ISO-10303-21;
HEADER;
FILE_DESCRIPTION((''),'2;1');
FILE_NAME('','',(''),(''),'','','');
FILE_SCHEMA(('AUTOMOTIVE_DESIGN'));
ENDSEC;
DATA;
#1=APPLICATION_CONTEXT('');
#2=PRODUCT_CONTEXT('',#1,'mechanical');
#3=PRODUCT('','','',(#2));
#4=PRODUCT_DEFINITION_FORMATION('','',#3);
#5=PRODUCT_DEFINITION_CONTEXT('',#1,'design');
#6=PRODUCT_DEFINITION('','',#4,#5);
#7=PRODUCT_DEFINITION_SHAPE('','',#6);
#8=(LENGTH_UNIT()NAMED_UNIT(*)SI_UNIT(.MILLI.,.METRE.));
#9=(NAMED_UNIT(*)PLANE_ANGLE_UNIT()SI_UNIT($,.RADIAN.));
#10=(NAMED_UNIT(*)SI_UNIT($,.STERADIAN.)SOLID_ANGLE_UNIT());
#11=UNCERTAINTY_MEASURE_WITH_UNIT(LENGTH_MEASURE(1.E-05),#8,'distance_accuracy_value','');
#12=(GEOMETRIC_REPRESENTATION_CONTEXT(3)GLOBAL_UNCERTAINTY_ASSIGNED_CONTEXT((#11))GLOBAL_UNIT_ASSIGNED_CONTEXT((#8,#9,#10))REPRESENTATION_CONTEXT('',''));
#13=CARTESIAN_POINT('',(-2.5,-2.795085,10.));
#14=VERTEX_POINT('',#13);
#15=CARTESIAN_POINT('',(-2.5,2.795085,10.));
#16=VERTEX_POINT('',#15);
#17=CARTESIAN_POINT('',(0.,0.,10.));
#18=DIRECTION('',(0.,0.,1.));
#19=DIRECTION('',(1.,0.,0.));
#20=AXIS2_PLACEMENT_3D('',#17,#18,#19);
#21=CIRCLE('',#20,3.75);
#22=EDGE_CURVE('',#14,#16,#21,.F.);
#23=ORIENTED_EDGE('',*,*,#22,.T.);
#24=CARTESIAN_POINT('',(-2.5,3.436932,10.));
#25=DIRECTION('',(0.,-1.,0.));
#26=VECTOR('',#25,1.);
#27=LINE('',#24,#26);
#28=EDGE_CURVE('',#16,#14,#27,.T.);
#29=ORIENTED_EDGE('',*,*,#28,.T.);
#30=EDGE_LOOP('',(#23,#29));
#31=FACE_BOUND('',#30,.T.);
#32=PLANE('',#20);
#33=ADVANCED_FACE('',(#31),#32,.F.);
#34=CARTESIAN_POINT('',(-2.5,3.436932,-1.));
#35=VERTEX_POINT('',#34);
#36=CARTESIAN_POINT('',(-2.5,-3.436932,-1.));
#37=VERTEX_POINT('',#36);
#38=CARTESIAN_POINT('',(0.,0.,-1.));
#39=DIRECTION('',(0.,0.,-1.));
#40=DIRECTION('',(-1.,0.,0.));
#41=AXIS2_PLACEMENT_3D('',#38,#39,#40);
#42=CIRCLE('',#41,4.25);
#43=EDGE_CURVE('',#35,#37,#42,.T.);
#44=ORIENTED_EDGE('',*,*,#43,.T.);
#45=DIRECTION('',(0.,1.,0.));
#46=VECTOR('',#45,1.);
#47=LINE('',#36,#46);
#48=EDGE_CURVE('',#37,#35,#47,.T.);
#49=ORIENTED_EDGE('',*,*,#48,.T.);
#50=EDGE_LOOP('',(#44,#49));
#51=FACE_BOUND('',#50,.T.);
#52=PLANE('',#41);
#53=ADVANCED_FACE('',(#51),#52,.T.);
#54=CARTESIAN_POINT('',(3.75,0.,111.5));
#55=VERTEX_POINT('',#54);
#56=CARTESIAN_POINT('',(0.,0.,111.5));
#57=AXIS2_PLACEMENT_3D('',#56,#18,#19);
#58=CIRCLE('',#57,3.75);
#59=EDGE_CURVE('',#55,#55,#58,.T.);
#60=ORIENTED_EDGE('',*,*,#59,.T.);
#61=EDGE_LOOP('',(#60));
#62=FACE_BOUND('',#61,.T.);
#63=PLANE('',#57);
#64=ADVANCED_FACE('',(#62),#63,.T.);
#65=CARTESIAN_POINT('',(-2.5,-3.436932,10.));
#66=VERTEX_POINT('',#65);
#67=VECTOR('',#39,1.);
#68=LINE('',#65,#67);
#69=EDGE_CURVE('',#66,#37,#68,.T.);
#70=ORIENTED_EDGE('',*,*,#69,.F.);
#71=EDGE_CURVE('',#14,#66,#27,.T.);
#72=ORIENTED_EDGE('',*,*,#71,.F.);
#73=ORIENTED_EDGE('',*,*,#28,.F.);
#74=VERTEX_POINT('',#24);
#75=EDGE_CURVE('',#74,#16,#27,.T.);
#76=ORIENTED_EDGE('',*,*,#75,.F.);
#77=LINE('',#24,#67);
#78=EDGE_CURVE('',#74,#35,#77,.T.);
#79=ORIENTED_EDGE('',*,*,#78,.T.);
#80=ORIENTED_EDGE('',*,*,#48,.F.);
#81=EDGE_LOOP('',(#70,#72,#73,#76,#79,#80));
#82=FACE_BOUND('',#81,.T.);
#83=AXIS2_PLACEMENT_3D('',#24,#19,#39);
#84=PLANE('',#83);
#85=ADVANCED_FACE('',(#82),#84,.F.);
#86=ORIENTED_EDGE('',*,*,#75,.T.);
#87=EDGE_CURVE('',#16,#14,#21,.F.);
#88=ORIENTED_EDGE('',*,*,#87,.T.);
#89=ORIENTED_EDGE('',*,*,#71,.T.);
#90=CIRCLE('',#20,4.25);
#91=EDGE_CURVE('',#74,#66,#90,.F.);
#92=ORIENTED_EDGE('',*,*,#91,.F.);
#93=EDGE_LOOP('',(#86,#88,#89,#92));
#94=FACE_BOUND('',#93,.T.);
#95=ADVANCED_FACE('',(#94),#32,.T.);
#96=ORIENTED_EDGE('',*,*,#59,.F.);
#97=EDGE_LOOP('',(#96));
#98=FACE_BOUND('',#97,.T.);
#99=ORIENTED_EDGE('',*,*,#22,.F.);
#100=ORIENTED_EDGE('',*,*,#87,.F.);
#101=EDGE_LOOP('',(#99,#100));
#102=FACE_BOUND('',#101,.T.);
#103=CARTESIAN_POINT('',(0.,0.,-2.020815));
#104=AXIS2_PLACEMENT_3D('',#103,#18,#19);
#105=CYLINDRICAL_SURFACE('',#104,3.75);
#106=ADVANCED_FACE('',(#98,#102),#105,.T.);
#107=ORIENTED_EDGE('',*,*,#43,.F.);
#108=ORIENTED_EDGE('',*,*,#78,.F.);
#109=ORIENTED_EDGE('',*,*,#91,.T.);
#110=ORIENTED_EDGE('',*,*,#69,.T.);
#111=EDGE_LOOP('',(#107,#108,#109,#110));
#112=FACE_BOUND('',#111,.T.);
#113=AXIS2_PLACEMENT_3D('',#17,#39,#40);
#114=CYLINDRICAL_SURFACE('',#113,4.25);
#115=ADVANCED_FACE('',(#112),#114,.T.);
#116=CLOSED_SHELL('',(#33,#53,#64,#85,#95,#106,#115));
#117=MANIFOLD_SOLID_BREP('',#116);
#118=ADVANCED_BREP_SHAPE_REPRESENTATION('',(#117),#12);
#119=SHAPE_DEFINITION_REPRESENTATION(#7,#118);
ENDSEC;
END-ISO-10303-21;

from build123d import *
from build123d.topology import SkipClean

# Parameters (mm, degrees)
BOSS_EXTRUDE1_DEPTH = 10
SKETCH2_R           = 4.25
BOSS_EXTRUDE2_DEPTH = 20
BOSS_EXTRUDE3_START = 1
BOSS_EXTRUDE3_DEPTH = 1
CUT_EXTRUDE1_START  = -20
SKETCH5_R           = 4.25
SKETCH5_R_2         = 3.75
CUT_EXTRUDE1_DEPTH  = 20
SKETCH6_R           = 3.75
BOSS_EXTRUDE4_DEPTH = 81.5


with BuildPart() as part:
    # Sketch1 → Boss-Extrude1 (new body)
    with BuildSketch(Plane.XY):
        with BuildLine():
            Line((-2.5, 3.436931771), (-2.5, -3.436931771))
            ThreePointArc((-2.5, -3.436931771), (4.25, 0), (-2.5, 3.436931771))
        make_face()
    extrude(amount=BOSS_EXTRUDE1_DEPTH)

    # Sketch2 → Boss-Extrude2 (add)
    with BuildSketch(Plane.XY.offset(10)):
        with Locations(Location((0, 0, 0), (0, 0, 126.031879072))):
            Circle(SKETCH2_R)
    extrude(amount=BOSS_EXTRUDE2_DEPTH)

    # Sketch3 → Boss-Extrude3 (add)
    with SkipClean():  # the faces are left unmerged after this step: merging them gives an invalid solid
        with BuildSketch(Plane(origin=(0, 0, 0), x_dir=(-1, 0, 0), z_dir=(0, 0, -1)).offset(BOSS_EXTRUDE3_START)):
            with BuildLine():
                Line((2.5, -3.436931771), (2.5, 3.436931771))
                ThreePointArc((2.5, 3.436931771), (-4.25, 0), (2.5, -3.436931771))
            make_face()
        extrude(amount=-BOSS_EXTRUDE3_DEPTH)

    # Sketch5 → Cut-Extrude1 (cut)
    with SkipClean():  # the faces are left unmerged after this step: merging them gives an invalid solid
        with BuildSketch(Plane.XY.offset(30).offset(CUT_EXTRUDE1_START)):
            Circle(SKETCH5_R)
            Circle(SKETCH5_R_2, mode=Mode.SUBTRACT)
        extrude(amount=CUT_EXTRUDE1_DEPTH, mode=Mode.SUBTRACT)

    # Sketch6 → Boss-Extrude4 (add)
    with SkipClean():  # the faces are left unmerged after this step: merging them gives an invalid solid
        with BuildSketch(Plane.XY.offset(30)):
            Circle(SKETCH6_R)
        extrude(amount=BOSS_EXTRUDE4_DEPTH)


solid = part.part
